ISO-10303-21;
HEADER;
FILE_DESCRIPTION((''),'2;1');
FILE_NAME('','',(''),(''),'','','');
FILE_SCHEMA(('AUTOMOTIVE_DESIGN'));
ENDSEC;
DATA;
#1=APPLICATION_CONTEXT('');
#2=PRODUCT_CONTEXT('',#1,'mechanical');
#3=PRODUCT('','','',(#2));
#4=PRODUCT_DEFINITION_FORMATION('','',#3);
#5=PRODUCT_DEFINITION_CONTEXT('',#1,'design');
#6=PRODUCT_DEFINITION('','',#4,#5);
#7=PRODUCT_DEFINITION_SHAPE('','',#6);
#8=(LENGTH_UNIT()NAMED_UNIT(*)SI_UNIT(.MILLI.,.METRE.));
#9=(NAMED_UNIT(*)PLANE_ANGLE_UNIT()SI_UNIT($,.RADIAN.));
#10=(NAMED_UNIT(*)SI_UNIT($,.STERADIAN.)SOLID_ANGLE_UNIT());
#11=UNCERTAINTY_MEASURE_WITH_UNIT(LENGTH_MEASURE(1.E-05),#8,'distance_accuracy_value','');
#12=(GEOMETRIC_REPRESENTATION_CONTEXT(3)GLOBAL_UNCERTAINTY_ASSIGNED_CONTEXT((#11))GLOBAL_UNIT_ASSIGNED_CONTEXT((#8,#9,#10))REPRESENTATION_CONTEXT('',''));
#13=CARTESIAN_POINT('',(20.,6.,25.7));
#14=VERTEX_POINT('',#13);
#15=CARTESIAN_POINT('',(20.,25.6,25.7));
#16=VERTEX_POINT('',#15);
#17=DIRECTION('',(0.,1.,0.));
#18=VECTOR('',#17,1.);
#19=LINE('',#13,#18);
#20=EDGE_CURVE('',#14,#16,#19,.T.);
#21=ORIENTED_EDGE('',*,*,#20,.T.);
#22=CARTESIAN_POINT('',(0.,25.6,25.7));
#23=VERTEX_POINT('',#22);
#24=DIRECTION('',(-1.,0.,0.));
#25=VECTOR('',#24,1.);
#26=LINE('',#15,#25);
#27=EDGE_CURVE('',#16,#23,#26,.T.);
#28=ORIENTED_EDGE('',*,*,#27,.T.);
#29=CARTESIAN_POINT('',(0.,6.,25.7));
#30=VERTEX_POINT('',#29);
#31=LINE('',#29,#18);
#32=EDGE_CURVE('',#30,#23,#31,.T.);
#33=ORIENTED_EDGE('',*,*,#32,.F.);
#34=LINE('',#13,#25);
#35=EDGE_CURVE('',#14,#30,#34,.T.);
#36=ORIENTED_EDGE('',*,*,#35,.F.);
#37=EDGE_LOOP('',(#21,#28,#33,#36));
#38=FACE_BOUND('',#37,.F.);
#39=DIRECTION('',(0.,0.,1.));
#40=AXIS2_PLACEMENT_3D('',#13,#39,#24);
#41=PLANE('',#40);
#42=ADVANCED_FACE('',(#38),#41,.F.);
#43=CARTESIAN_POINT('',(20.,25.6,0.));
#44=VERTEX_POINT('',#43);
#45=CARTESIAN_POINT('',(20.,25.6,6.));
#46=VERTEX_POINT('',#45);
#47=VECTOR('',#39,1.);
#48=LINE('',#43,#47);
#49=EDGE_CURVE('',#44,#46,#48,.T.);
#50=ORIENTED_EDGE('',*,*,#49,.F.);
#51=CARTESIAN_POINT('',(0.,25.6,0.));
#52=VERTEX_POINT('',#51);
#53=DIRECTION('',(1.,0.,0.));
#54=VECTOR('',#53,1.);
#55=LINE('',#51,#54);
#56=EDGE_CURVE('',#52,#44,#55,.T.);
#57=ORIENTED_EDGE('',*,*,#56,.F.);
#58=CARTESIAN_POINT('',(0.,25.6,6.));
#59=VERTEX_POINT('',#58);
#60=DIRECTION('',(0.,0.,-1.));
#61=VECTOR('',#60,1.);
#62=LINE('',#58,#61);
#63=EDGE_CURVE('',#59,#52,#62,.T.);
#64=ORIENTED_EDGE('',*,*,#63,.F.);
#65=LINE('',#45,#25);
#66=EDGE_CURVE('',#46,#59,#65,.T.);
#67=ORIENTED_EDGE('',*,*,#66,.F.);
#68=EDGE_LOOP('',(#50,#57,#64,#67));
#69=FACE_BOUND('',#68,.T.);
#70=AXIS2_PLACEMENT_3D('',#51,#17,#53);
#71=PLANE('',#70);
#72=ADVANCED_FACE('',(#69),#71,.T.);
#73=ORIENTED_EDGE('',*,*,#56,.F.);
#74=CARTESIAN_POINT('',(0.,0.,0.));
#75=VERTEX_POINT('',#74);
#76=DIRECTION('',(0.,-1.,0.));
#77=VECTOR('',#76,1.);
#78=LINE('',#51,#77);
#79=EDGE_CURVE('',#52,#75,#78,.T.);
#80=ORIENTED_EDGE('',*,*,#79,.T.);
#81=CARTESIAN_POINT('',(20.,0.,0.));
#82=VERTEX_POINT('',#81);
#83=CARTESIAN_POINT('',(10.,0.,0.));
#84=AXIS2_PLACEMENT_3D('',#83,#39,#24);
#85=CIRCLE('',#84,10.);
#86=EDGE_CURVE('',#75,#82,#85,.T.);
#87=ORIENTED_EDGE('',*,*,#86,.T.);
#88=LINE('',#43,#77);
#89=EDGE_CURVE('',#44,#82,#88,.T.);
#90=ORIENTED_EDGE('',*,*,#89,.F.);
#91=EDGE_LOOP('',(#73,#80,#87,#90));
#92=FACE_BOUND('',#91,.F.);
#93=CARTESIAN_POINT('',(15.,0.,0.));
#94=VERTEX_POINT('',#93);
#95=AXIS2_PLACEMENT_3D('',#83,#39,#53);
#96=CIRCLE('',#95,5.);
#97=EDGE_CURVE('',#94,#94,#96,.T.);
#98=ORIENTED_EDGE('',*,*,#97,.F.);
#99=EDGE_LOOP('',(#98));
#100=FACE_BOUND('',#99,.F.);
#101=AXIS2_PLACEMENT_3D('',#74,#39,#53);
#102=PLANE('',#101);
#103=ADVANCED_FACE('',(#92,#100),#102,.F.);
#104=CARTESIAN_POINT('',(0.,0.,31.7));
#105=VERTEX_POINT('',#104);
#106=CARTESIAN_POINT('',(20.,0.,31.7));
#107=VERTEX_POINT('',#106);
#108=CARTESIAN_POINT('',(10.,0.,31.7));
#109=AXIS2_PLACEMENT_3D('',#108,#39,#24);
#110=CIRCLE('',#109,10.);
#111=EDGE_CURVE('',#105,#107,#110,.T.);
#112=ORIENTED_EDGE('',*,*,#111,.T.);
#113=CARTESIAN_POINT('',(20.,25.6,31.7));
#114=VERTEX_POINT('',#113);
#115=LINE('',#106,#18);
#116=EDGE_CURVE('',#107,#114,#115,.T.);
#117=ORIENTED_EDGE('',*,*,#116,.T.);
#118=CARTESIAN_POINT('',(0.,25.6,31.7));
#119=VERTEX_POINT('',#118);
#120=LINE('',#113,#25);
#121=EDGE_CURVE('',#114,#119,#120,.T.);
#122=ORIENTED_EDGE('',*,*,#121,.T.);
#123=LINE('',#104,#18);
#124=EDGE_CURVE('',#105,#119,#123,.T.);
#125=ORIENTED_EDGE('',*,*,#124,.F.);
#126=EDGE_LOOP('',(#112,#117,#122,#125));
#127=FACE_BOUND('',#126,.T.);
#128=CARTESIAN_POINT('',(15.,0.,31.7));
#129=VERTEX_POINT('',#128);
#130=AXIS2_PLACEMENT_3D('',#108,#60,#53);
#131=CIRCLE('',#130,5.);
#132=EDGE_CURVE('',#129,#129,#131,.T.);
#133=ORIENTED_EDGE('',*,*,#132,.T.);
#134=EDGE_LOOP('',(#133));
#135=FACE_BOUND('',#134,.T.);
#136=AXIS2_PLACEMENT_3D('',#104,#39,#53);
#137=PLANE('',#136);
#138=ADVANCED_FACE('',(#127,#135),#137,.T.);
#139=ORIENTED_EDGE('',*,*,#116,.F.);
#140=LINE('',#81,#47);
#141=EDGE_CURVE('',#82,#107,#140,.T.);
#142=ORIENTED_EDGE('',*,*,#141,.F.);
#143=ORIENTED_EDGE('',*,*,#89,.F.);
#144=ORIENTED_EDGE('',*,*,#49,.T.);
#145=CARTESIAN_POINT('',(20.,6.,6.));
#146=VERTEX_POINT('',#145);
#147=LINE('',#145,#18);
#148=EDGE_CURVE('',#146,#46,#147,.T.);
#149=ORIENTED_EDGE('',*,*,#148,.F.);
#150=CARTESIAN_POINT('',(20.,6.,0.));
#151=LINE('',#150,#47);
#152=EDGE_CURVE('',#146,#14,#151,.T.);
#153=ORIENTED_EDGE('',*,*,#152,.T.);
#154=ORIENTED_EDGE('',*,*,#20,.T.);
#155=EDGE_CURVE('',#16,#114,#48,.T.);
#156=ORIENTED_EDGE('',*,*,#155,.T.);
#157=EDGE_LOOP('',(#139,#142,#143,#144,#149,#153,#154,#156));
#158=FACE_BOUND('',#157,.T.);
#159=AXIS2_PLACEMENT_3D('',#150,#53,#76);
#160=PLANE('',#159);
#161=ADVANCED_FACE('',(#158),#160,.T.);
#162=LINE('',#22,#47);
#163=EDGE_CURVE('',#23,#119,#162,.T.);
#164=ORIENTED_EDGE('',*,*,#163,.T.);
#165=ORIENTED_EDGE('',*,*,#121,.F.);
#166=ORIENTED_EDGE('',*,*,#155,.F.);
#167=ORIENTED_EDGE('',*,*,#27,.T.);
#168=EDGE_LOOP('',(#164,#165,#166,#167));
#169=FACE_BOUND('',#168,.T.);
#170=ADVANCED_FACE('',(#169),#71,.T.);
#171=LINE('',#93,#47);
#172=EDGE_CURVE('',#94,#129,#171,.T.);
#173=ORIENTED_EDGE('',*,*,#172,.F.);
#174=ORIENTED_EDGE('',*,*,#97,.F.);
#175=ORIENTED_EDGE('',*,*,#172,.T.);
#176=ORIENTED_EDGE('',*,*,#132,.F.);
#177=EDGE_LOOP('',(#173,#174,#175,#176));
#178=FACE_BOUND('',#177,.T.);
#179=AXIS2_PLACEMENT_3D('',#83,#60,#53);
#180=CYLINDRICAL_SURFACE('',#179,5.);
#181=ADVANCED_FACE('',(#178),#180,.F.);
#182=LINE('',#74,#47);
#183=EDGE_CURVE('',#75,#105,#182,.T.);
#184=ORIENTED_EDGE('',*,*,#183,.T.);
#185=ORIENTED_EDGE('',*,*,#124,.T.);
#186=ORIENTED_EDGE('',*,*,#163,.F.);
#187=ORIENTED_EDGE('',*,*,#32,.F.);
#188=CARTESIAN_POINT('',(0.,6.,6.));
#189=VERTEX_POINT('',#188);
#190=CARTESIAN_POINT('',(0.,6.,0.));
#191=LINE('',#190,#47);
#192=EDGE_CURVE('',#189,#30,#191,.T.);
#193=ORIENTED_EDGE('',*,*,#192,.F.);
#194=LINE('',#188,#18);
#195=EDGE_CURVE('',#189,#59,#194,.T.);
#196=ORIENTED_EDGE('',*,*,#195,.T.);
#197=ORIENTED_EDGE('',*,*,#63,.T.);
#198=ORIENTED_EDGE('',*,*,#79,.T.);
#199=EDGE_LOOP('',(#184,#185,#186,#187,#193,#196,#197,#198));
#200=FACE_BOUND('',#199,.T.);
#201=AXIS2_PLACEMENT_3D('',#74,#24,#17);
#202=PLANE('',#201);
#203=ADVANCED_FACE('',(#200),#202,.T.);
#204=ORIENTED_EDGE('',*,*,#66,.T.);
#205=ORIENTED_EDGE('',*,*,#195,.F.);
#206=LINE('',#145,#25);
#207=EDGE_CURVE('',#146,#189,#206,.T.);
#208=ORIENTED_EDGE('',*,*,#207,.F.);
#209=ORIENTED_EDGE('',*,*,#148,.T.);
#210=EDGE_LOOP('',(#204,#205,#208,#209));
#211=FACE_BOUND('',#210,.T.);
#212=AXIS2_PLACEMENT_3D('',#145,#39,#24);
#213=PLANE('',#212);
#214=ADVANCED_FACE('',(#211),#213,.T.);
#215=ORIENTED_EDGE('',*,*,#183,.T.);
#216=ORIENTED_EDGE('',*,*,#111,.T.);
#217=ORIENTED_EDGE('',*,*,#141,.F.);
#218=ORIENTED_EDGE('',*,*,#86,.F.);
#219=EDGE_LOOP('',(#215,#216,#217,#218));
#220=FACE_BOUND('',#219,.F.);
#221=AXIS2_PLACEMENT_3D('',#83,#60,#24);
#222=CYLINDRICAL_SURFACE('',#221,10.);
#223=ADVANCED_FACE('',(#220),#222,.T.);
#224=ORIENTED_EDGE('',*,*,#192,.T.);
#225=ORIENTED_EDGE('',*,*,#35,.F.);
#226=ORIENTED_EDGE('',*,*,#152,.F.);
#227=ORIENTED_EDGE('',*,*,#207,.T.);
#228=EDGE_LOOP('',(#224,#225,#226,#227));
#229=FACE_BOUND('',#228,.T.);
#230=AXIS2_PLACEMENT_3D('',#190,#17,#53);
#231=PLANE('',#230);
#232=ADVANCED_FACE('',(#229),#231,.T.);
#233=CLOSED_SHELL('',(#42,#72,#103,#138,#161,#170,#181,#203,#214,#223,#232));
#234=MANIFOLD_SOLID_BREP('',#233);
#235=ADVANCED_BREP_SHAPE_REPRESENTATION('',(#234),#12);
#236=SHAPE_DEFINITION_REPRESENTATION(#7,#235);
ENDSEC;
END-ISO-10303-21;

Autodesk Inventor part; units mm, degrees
ref_plane "YZ Plane" through (0, 0, 0) normal (1, 0, 0) x (0, 1, 0)
ref_plane "XZ Plane" through (0, 0, 0) normal (0, 1, 0) x (-1, 0, 0)
ref_plane "XY Plane" through (0, 0, 0) normal (0, 0, 1) x (1, 0, 0)
sketch "Sketch2" plane through (0, 0, 0) normal (0, 0, 1) x (1, 0, 0)
  line L0 (0, 0) -> (0, 6)
  line L1 (20, 6) -> (20, 0)
  line L2 (20, 0) -> (0, 0)
  line L3 (10, 0) -> (10, 9.1281) construction
  arc A0 (0, 0) -> (20, 0) centre (10, 0) ccw
  circle A1 centre (10, 0) radius 5
  line L4 (0, 6) -> (20, 6)
  point P0 (20, 0)
  dimension "d14" = 20
  dimension "d15" = 10
  dimension "d18" = 6
  dimension "d19" = 20
  dimension "d20" = 6
extrude "Extrusion2" add sketch "Sketch2" along normal blind 31.7 contours L0 L4 L1 L2 A1 | L2 A1 A0
sketch "Sketch3" plane through (0, 6, 0) normal (0, 1, 0) x (1, 0, 0)
  line L0 (20, 0) -> (20, -31.7) projected
  line L1 (0, 0) -> (20, 0)
  line L2 (20, 0) -> (20, -6)
  line L3 (20, -6) -> (0, -6)
  line L4 (0, -6) -> (0, 0)
  line L5 (20, -31.7) -> (0, -31.7) projected
  line L6 (0, -31.7) -> (20, -31.7)
  line L7 (20, -31.7) -> (20, -25.7)
  line L8 (20, -25.7) -> (0, -25.7)
  line L9 (0, -25.7) -> (0, -31.7)
  dimension "d21" = 6
  dimension "d22" = 6
extrude "Extrusion3" add sketch "Sketch3" along normal blind 19.6
